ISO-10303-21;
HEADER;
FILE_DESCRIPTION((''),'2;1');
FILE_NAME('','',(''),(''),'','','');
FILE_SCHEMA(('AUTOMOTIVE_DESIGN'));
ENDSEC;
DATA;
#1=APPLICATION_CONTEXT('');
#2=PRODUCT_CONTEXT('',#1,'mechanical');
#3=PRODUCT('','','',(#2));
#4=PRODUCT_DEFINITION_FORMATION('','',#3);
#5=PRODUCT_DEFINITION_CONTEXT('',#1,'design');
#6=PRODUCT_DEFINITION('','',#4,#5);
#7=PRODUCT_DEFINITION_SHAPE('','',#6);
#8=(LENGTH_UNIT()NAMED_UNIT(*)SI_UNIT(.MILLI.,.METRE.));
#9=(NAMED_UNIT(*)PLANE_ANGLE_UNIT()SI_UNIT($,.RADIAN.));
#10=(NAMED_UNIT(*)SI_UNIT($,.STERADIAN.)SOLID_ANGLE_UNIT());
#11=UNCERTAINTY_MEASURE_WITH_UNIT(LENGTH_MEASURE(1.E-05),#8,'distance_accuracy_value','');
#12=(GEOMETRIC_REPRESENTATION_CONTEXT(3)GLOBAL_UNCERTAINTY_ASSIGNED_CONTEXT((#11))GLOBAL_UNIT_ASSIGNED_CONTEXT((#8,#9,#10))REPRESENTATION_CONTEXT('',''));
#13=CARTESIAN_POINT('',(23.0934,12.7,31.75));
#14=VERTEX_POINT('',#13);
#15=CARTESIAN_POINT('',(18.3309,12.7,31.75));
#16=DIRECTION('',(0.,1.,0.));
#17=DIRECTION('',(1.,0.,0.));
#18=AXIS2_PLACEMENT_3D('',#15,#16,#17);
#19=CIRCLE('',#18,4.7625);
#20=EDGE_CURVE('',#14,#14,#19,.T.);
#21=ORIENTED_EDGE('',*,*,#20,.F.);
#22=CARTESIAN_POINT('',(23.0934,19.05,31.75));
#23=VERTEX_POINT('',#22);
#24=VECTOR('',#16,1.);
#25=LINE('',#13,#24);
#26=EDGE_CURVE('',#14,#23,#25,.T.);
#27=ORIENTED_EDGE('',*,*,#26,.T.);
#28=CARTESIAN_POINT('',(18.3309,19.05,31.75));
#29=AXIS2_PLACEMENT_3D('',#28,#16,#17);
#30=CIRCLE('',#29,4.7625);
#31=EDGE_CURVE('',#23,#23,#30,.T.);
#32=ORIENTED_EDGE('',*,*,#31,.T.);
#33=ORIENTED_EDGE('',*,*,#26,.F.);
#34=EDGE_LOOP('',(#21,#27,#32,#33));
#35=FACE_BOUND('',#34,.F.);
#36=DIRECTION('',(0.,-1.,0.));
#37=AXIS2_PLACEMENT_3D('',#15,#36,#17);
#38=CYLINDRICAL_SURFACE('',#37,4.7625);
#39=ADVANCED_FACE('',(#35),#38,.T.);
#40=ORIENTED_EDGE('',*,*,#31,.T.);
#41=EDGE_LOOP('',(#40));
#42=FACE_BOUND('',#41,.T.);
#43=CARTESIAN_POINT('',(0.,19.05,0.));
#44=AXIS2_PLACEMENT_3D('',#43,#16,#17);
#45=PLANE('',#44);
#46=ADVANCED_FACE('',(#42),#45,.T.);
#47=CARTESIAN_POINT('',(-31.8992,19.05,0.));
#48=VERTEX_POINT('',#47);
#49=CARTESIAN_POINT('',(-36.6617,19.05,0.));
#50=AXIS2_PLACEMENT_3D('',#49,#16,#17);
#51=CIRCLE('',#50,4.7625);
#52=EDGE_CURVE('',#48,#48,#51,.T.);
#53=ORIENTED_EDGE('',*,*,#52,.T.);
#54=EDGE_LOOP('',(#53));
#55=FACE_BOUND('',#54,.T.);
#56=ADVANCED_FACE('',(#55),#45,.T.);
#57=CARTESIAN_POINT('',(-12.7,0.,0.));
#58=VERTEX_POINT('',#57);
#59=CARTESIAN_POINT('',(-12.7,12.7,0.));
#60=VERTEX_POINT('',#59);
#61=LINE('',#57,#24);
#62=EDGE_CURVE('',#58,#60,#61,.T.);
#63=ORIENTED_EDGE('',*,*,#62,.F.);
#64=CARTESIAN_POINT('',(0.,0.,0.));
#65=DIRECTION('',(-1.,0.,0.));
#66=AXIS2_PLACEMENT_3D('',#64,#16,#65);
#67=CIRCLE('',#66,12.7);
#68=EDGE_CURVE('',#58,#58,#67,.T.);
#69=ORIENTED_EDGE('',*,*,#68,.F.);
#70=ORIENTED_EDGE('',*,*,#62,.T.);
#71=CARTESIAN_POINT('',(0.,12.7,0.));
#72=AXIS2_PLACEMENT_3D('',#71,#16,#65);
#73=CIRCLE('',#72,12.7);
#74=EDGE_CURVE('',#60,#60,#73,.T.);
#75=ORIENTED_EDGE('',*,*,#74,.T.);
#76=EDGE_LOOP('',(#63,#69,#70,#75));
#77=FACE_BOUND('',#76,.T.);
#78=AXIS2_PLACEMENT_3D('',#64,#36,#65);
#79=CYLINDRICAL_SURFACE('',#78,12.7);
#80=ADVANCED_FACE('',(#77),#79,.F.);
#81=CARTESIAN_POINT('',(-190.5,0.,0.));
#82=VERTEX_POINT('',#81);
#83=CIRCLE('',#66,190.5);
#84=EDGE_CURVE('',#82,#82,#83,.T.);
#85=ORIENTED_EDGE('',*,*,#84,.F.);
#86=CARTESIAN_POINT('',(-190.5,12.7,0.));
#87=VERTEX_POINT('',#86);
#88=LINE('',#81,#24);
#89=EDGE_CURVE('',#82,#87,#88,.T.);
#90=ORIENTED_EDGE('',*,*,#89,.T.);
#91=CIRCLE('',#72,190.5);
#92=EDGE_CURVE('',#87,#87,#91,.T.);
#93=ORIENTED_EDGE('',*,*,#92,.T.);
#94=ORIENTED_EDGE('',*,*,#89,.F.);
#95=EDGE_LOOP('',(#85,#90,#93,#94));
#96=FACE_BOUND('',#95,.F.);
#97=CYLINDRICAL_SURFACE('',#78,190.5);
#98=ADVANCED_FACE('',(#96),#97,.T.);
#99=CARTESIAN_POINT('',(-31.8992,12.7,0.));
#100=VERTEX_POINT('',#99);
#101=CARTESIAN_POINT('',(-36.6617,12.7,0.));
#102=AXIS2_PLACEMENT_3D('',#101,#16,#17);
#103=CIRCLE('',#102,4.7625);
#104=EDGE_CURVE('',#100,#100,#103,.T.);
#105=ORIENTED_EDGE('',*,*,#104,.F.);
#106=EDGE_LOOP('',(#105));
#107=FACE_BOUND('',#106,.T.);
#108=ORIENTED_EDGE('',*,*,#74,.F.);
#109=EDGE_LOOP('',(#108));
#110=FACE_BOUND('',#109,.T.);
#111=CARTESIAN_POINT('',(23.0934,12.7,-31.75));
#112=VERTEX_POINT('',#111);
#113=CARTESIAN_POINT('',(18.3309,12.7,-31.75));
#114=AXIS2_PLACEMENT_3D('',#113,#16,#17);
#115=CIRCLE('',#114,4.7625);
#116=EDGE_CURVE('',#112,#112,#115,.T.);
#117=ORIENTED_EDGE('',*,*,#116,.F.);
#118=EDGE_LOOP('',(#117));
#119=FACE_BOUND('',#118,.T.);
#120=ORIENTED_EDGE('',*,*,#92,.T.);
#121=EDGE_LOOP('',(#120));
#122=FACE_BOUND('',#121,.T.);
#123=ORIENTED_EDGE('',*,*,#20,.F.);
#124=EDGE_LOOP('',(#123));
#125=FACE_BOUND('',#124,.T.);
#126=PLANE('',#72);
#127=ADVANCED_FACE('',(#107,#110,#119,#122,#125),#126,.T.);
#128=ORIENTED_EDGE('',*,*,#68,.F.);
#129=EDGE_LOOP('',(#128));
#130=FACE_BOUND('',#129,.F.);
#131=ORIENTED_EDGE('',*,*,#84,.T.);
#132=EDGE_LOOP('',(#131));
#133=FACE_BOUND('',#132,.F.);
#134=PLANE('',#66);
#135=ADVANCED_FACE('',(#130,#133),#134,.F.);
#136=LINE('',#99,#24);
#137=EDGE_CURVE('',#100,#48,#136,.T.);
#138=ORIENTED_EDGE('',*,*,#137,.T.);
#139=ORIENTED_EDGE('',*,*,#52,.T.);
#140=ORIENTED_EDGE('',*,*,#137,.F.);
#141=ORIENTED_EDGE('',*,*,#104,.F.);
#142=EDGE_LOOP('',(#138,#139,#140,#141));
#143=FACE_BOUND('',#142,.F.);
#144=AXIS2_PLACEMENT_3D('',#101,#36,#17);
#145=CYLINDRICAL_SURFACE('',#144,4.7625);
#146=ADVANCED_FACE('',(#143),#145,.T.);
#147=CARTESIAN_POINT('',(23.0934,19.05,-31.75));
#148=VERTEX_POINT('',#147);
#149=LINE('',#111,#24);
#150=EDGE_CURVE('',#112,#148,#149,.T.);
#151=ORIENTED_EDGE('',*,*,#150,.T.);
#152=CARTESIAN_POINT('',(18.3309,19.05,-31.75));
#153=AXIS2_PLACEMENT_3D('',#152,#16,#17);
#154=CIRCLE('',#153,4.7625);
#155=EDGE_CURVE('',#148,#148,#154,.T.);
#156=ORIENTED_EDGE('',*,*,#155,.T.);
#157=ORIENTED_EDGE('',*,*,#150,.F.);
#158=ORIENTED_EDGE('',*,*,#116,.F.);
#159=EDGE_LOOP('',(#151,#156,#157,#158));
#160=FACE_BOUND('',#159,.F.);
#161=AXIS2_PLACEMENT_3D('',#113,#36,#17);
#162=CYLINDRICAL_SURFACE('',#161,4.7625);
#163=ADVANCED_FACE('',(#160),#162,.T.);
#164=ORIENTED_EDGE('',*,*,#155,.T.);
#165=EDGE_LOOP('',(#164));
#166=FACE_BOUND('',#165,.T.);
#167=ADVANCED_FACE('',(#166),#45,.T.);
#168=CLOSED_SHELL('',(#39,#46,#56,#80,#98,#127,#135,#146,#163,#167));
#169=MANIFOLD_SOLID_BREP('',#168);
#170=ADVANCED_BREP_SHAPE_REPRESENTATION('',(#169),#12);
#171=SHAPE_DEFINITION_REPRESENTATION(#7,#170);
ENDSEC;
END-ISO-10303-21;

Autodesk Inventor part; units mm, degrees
ref_plane "YZ Plane" through (0, 0, 0) normal (1, 0, 0) x (0, 1, 0)
ref_plane "XZ Plane" through (0, 0, 0) normal (0, 1, 0) x (-1, 0, 0)
ref_plane "XY Plane" through (0, 0, 0) normal (0, 0, 1) x (1, 0, 0)
sketch "Sketch1" plane through (0, 0, 0) normal (0, 1, 0) x (-1, 0, 0)
  circle A0 centre (0, 0) radius 12.7
  circle A1 centre (0, 0) radius 190.5
  dimension "d0" = 25.4
  dimension "d1" = 381
extrude "Extrusion1" add sketch "Sketch1" along normal blind 12.7
sketch "Sketch2" plane through (0, 12.7, 0) normal (0, 1, 0) x (1, 0, 0)
  circle A0 centre (18.3309, -31.75) radius 4.7625
  circle A1 centre (-36.6617, 0) radius 4.7625
  circle A2 centre (18.3309, 31.75) radius 4.7625
  point P0 (0, 0)
  point P1 (0, 0)
  dimension "d5" = 9.525
  dimension "d6" = 9.525
  dimension "d7" = 9.525
extrude "Extrusion2" add sketch "Sketch2" along normal blind 6.35
properties part number "Carousel"
